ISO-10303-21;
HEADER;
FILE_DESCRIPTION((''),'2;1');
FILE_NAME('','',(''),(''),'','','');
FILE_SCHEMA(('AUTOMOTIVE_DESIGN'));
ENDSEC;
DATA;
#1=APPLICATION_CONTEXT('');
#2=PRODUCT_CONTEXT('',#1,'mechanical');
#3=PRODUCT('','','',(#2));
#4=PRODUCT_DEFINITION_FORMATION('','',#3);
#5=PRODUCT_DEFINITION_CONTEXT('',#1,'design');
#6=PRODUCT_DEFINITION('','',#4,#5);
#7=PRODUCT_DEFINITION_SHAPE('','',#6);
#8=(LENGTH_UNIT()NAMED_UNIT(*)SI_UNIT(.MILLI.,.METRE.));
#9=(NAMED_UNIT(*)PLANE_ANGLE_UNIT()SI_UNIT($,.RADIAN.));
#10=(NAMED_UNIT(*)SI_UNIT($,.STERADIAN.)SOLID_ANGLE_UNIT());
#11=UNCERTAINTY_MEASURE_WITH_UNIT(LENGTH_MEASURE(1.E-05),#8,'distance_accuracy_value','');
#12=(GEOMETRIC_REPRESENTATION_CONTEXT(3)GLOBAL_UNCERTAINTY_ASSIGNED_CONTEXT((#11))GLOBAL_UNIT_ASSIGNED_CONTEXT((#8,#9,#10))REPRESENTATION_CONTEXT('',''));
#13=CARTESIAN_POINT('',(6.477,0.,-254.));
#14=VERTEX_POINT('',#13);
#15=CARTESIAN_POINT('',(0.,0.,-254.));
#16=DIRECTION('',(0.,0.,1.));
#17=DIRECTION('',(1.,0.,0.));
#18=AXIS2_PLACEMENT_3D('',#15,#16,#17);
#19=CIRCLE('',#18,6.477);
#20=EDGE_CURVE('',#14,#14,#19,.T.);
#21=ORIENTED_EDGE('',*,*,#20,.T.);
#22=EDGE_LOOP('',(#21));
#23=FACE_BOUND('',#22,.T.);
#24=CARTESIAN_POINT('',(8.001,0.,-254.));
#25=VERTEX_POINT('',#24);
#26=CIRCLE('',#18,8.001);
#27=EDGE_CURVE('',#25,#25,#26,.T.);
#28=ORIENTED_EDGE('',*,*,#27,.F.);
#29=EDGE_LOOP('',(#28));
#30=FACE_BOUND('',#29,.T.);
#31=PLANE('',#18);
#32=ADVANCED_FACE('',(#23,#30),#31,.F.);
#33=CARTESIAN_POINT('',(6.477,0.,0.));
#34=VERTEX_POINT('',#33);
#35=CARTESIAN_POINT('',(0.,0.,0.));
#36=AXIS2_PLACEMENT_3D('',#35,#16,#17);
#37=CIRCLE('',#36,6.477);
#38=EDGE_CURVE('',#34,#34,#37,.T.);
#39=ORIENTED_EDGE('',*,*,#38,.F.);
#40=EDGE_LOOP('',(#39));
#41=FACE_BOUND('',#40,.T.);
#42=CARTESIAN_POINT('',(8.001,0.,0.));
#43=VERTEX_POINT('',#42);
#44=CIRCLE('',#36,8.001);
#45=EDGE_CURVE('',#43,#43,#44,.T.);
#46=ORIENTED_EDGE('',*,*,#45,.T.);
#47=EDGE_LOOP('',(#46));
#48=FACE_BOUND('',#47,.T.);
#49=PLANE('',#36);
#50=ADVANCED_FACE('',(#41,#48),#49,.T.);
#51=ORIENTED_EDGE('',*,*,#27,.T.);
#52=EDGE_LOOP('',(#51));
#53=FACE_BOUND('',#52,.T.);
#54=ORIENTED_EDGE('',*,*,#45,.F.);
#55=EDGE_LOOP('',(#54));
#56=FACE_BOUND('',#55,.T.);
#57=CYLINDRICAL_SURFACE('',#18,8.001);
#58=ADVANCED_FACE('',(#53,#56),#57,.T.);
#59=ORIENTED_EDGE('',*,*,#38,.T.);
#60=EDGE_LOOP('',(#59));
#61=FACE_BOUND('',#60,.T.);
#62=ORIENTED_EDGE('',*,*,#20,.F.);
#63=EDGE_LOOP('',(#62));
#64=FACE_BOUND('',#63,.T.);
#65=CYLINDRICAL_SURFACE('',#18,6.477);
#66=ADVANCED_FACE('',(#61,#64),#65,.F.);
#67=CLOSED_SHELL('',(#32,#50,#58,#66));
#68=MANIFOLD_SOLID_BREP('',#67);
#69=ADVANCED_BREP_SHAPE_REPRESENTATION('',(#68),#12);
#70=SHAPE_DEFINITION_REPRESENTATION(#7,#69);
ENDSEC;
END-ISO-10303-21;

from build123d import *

# Parameters (mm, degrees)
SKETCH1_R           = 8.001
SKETCH1_R_2         = 6.477
BOSS_EXTRUDE1_DEPTH = 254


with BuildPart() as part:
    # Sketch1 → Boss-Extrude1 (new body)
    with BuildSketch(Plane.XY):
        Circle(SKETCH1_R)
        Circle(SKETCH1_R_2, mode=Mode.SUBTRACT)
    extrude(amount=-BOSS_EXTRUDE1_DEPTH)


solid = part.part
